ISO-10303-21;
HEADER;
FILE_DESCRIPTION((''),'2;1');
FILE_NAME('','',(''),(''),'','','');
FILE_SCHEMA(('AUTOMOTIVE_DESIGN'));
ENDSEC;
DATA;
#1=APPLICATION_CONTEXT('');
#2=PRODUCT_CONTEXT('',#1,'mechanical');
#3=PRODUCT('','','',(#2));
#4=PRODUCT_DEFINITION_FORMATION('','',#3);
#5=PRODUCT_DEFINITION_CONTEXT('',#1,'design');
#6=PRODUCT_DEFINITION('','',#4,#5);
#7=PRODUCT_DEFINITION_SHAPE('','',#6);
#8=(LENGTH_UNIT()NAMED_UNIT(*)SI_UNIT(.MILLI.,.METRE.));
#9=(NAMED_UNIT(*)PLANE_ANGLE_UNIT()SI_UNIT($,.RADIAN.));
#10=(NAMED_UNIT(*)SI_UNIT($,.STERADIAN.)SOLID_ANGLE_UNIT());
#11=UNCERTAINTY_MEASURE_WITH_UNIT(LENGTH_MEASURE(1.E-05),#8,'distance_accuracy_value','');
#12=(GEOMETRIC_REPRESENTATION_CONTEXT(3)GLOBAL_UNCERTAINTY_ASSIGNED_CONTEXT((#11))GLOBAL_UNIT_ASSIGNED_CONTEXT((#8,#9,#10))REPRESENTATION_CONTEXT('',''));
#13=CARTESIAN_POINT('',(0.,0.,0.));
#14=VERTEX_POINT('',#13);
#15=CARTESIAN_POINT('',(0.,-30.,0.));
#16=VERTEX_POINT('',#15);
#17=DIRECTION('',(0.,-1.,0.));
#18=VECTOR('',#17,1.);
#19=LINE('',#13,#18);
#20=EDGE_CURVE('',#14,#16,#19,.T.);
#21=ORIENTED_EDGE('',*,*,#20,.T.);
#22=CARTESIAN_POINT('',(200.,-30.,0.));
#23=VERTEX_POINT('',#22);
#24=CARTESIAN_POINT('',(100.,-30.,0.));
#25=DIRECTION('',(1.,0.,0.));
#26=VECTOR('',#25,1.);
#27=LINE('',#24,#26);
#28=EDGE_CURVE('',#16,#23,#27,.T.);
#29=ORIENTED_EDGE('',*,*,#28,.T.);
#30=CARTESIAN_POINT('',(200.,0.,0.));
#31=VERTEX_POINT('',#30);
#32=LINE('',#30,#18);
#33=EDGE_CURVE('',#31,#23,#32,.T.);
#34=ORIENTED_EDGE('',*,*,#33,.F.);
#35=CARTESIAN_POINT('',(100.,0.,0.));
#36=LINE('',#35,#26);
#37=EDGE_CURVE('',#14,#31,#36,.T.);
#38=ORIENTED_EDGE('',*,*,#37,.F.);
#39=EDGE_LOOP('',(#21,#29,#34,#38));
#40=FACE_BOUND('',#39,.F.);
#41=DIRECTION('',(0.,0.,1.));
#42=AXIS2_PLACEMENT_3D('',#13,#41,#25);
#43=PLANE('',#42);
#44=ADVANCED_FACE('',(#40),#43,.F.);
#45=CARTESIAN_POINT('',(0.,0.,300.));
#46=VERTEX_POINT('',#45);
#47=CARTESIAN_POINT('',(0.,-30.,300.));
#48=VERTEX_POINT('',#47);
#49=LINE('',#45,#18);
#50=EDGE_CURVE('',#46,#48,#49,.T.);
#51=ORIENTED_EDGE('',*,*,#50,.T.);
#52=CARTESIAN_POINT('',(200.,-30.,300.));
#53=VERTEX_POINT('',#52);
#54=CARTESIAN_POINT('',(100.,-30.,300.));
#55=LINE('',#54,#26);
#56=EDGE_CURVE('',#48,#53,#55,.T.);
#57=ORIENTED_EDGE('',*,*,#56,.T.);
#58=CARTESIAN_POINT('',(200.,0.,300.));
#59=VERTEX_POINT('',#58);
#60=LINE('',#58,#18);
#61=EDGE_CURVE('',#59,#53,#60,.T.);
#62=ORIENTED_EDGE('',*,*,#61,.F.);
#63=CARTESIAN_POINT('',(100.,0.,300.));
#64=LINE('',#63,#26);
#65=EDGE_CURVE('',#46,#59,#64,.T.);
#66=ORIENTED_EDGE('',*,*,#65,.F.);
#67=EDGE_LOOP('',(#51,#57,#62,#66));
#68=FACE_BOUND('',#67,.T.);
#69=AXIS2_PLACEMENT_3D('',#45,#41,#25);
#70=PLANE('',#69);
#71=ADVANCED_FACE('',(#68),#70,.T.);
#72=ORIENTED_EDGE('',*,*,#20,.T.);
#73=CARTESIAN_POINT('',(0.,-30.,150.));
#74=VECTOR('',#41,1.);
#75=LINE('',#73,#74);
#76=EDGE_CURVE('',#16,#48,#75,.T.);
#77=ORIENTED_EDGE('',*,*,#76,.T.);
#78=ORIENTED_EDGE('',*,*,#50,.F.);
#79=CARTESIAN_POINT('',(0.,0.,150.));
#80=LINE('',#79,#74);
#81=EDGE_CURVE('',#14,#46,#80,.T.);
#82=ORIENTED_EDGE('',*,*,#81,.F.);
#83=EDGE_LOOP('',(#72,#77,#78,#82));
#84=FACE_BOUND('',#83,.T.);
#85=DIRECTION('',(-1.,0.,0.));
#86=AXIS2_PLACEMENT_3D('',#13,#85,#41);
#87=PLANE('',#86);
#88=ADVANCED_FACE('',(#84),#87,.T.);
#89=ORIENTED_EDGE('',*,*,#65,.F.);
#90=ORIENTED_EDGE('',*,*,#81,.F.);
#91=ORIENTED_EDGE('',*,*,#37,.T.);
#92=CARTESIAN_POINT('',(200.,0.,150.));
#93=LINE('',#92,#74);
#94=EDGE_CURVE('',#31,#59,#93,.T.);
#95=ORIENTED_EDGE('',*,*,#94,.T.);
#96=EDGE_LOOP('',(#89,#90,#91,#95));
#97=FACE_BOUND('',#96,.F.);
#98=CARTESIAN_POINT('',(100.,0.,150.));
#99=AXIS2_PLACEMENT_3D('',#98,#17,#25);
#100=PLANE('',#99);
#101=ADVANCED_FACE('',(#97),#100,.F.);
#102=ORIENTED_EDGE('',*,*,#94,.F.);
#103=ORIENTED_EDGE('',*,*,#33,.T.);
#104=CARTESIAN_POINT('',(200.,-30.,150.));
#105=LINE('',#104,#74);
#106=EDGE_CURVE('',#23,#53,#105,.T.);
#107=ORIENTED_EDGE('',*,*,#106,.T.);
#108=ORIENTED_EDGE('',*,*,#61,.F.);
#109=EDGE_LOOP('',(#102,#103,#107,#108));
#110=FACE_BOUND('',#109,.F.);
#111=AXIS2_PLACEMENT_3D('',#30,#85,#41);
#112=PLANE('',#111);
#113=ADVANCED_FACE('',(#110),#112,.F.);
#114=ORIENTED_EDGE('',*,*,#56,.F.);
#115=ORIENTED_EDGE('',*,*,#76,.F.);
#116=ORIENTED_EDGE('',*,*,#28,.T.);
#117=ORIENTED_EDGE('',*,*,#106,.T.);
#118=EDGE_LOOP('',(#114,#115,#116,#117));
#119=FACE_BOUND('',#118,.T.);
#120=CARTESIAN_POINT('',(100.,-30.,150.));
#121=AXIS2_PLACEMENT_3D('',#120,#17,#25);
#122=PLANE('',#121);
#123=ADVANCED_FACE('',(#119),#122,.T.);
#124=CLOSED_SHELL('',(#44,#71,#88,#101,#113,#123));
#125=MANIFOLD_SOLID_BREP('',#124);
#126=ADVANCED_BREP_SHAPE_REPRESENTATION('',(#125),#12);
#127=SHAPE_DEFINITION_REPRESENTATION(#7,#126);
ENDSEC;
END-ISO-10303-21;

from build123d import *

# Parameters (mm, degrees)
SKETCH_W  = 200
SKETCH_H  = 300
PAD_DEPTH = 30


with BuildPart() as part:
    # Sketch → Pad (new body)
    with BuildSketch(Plane.XZ):
        with Locations((100, 150)):
            Rectangle(SKETCH_W, SKETCH_H)
    extrude(amount=PAD_DEPTH)


solid = part.part
